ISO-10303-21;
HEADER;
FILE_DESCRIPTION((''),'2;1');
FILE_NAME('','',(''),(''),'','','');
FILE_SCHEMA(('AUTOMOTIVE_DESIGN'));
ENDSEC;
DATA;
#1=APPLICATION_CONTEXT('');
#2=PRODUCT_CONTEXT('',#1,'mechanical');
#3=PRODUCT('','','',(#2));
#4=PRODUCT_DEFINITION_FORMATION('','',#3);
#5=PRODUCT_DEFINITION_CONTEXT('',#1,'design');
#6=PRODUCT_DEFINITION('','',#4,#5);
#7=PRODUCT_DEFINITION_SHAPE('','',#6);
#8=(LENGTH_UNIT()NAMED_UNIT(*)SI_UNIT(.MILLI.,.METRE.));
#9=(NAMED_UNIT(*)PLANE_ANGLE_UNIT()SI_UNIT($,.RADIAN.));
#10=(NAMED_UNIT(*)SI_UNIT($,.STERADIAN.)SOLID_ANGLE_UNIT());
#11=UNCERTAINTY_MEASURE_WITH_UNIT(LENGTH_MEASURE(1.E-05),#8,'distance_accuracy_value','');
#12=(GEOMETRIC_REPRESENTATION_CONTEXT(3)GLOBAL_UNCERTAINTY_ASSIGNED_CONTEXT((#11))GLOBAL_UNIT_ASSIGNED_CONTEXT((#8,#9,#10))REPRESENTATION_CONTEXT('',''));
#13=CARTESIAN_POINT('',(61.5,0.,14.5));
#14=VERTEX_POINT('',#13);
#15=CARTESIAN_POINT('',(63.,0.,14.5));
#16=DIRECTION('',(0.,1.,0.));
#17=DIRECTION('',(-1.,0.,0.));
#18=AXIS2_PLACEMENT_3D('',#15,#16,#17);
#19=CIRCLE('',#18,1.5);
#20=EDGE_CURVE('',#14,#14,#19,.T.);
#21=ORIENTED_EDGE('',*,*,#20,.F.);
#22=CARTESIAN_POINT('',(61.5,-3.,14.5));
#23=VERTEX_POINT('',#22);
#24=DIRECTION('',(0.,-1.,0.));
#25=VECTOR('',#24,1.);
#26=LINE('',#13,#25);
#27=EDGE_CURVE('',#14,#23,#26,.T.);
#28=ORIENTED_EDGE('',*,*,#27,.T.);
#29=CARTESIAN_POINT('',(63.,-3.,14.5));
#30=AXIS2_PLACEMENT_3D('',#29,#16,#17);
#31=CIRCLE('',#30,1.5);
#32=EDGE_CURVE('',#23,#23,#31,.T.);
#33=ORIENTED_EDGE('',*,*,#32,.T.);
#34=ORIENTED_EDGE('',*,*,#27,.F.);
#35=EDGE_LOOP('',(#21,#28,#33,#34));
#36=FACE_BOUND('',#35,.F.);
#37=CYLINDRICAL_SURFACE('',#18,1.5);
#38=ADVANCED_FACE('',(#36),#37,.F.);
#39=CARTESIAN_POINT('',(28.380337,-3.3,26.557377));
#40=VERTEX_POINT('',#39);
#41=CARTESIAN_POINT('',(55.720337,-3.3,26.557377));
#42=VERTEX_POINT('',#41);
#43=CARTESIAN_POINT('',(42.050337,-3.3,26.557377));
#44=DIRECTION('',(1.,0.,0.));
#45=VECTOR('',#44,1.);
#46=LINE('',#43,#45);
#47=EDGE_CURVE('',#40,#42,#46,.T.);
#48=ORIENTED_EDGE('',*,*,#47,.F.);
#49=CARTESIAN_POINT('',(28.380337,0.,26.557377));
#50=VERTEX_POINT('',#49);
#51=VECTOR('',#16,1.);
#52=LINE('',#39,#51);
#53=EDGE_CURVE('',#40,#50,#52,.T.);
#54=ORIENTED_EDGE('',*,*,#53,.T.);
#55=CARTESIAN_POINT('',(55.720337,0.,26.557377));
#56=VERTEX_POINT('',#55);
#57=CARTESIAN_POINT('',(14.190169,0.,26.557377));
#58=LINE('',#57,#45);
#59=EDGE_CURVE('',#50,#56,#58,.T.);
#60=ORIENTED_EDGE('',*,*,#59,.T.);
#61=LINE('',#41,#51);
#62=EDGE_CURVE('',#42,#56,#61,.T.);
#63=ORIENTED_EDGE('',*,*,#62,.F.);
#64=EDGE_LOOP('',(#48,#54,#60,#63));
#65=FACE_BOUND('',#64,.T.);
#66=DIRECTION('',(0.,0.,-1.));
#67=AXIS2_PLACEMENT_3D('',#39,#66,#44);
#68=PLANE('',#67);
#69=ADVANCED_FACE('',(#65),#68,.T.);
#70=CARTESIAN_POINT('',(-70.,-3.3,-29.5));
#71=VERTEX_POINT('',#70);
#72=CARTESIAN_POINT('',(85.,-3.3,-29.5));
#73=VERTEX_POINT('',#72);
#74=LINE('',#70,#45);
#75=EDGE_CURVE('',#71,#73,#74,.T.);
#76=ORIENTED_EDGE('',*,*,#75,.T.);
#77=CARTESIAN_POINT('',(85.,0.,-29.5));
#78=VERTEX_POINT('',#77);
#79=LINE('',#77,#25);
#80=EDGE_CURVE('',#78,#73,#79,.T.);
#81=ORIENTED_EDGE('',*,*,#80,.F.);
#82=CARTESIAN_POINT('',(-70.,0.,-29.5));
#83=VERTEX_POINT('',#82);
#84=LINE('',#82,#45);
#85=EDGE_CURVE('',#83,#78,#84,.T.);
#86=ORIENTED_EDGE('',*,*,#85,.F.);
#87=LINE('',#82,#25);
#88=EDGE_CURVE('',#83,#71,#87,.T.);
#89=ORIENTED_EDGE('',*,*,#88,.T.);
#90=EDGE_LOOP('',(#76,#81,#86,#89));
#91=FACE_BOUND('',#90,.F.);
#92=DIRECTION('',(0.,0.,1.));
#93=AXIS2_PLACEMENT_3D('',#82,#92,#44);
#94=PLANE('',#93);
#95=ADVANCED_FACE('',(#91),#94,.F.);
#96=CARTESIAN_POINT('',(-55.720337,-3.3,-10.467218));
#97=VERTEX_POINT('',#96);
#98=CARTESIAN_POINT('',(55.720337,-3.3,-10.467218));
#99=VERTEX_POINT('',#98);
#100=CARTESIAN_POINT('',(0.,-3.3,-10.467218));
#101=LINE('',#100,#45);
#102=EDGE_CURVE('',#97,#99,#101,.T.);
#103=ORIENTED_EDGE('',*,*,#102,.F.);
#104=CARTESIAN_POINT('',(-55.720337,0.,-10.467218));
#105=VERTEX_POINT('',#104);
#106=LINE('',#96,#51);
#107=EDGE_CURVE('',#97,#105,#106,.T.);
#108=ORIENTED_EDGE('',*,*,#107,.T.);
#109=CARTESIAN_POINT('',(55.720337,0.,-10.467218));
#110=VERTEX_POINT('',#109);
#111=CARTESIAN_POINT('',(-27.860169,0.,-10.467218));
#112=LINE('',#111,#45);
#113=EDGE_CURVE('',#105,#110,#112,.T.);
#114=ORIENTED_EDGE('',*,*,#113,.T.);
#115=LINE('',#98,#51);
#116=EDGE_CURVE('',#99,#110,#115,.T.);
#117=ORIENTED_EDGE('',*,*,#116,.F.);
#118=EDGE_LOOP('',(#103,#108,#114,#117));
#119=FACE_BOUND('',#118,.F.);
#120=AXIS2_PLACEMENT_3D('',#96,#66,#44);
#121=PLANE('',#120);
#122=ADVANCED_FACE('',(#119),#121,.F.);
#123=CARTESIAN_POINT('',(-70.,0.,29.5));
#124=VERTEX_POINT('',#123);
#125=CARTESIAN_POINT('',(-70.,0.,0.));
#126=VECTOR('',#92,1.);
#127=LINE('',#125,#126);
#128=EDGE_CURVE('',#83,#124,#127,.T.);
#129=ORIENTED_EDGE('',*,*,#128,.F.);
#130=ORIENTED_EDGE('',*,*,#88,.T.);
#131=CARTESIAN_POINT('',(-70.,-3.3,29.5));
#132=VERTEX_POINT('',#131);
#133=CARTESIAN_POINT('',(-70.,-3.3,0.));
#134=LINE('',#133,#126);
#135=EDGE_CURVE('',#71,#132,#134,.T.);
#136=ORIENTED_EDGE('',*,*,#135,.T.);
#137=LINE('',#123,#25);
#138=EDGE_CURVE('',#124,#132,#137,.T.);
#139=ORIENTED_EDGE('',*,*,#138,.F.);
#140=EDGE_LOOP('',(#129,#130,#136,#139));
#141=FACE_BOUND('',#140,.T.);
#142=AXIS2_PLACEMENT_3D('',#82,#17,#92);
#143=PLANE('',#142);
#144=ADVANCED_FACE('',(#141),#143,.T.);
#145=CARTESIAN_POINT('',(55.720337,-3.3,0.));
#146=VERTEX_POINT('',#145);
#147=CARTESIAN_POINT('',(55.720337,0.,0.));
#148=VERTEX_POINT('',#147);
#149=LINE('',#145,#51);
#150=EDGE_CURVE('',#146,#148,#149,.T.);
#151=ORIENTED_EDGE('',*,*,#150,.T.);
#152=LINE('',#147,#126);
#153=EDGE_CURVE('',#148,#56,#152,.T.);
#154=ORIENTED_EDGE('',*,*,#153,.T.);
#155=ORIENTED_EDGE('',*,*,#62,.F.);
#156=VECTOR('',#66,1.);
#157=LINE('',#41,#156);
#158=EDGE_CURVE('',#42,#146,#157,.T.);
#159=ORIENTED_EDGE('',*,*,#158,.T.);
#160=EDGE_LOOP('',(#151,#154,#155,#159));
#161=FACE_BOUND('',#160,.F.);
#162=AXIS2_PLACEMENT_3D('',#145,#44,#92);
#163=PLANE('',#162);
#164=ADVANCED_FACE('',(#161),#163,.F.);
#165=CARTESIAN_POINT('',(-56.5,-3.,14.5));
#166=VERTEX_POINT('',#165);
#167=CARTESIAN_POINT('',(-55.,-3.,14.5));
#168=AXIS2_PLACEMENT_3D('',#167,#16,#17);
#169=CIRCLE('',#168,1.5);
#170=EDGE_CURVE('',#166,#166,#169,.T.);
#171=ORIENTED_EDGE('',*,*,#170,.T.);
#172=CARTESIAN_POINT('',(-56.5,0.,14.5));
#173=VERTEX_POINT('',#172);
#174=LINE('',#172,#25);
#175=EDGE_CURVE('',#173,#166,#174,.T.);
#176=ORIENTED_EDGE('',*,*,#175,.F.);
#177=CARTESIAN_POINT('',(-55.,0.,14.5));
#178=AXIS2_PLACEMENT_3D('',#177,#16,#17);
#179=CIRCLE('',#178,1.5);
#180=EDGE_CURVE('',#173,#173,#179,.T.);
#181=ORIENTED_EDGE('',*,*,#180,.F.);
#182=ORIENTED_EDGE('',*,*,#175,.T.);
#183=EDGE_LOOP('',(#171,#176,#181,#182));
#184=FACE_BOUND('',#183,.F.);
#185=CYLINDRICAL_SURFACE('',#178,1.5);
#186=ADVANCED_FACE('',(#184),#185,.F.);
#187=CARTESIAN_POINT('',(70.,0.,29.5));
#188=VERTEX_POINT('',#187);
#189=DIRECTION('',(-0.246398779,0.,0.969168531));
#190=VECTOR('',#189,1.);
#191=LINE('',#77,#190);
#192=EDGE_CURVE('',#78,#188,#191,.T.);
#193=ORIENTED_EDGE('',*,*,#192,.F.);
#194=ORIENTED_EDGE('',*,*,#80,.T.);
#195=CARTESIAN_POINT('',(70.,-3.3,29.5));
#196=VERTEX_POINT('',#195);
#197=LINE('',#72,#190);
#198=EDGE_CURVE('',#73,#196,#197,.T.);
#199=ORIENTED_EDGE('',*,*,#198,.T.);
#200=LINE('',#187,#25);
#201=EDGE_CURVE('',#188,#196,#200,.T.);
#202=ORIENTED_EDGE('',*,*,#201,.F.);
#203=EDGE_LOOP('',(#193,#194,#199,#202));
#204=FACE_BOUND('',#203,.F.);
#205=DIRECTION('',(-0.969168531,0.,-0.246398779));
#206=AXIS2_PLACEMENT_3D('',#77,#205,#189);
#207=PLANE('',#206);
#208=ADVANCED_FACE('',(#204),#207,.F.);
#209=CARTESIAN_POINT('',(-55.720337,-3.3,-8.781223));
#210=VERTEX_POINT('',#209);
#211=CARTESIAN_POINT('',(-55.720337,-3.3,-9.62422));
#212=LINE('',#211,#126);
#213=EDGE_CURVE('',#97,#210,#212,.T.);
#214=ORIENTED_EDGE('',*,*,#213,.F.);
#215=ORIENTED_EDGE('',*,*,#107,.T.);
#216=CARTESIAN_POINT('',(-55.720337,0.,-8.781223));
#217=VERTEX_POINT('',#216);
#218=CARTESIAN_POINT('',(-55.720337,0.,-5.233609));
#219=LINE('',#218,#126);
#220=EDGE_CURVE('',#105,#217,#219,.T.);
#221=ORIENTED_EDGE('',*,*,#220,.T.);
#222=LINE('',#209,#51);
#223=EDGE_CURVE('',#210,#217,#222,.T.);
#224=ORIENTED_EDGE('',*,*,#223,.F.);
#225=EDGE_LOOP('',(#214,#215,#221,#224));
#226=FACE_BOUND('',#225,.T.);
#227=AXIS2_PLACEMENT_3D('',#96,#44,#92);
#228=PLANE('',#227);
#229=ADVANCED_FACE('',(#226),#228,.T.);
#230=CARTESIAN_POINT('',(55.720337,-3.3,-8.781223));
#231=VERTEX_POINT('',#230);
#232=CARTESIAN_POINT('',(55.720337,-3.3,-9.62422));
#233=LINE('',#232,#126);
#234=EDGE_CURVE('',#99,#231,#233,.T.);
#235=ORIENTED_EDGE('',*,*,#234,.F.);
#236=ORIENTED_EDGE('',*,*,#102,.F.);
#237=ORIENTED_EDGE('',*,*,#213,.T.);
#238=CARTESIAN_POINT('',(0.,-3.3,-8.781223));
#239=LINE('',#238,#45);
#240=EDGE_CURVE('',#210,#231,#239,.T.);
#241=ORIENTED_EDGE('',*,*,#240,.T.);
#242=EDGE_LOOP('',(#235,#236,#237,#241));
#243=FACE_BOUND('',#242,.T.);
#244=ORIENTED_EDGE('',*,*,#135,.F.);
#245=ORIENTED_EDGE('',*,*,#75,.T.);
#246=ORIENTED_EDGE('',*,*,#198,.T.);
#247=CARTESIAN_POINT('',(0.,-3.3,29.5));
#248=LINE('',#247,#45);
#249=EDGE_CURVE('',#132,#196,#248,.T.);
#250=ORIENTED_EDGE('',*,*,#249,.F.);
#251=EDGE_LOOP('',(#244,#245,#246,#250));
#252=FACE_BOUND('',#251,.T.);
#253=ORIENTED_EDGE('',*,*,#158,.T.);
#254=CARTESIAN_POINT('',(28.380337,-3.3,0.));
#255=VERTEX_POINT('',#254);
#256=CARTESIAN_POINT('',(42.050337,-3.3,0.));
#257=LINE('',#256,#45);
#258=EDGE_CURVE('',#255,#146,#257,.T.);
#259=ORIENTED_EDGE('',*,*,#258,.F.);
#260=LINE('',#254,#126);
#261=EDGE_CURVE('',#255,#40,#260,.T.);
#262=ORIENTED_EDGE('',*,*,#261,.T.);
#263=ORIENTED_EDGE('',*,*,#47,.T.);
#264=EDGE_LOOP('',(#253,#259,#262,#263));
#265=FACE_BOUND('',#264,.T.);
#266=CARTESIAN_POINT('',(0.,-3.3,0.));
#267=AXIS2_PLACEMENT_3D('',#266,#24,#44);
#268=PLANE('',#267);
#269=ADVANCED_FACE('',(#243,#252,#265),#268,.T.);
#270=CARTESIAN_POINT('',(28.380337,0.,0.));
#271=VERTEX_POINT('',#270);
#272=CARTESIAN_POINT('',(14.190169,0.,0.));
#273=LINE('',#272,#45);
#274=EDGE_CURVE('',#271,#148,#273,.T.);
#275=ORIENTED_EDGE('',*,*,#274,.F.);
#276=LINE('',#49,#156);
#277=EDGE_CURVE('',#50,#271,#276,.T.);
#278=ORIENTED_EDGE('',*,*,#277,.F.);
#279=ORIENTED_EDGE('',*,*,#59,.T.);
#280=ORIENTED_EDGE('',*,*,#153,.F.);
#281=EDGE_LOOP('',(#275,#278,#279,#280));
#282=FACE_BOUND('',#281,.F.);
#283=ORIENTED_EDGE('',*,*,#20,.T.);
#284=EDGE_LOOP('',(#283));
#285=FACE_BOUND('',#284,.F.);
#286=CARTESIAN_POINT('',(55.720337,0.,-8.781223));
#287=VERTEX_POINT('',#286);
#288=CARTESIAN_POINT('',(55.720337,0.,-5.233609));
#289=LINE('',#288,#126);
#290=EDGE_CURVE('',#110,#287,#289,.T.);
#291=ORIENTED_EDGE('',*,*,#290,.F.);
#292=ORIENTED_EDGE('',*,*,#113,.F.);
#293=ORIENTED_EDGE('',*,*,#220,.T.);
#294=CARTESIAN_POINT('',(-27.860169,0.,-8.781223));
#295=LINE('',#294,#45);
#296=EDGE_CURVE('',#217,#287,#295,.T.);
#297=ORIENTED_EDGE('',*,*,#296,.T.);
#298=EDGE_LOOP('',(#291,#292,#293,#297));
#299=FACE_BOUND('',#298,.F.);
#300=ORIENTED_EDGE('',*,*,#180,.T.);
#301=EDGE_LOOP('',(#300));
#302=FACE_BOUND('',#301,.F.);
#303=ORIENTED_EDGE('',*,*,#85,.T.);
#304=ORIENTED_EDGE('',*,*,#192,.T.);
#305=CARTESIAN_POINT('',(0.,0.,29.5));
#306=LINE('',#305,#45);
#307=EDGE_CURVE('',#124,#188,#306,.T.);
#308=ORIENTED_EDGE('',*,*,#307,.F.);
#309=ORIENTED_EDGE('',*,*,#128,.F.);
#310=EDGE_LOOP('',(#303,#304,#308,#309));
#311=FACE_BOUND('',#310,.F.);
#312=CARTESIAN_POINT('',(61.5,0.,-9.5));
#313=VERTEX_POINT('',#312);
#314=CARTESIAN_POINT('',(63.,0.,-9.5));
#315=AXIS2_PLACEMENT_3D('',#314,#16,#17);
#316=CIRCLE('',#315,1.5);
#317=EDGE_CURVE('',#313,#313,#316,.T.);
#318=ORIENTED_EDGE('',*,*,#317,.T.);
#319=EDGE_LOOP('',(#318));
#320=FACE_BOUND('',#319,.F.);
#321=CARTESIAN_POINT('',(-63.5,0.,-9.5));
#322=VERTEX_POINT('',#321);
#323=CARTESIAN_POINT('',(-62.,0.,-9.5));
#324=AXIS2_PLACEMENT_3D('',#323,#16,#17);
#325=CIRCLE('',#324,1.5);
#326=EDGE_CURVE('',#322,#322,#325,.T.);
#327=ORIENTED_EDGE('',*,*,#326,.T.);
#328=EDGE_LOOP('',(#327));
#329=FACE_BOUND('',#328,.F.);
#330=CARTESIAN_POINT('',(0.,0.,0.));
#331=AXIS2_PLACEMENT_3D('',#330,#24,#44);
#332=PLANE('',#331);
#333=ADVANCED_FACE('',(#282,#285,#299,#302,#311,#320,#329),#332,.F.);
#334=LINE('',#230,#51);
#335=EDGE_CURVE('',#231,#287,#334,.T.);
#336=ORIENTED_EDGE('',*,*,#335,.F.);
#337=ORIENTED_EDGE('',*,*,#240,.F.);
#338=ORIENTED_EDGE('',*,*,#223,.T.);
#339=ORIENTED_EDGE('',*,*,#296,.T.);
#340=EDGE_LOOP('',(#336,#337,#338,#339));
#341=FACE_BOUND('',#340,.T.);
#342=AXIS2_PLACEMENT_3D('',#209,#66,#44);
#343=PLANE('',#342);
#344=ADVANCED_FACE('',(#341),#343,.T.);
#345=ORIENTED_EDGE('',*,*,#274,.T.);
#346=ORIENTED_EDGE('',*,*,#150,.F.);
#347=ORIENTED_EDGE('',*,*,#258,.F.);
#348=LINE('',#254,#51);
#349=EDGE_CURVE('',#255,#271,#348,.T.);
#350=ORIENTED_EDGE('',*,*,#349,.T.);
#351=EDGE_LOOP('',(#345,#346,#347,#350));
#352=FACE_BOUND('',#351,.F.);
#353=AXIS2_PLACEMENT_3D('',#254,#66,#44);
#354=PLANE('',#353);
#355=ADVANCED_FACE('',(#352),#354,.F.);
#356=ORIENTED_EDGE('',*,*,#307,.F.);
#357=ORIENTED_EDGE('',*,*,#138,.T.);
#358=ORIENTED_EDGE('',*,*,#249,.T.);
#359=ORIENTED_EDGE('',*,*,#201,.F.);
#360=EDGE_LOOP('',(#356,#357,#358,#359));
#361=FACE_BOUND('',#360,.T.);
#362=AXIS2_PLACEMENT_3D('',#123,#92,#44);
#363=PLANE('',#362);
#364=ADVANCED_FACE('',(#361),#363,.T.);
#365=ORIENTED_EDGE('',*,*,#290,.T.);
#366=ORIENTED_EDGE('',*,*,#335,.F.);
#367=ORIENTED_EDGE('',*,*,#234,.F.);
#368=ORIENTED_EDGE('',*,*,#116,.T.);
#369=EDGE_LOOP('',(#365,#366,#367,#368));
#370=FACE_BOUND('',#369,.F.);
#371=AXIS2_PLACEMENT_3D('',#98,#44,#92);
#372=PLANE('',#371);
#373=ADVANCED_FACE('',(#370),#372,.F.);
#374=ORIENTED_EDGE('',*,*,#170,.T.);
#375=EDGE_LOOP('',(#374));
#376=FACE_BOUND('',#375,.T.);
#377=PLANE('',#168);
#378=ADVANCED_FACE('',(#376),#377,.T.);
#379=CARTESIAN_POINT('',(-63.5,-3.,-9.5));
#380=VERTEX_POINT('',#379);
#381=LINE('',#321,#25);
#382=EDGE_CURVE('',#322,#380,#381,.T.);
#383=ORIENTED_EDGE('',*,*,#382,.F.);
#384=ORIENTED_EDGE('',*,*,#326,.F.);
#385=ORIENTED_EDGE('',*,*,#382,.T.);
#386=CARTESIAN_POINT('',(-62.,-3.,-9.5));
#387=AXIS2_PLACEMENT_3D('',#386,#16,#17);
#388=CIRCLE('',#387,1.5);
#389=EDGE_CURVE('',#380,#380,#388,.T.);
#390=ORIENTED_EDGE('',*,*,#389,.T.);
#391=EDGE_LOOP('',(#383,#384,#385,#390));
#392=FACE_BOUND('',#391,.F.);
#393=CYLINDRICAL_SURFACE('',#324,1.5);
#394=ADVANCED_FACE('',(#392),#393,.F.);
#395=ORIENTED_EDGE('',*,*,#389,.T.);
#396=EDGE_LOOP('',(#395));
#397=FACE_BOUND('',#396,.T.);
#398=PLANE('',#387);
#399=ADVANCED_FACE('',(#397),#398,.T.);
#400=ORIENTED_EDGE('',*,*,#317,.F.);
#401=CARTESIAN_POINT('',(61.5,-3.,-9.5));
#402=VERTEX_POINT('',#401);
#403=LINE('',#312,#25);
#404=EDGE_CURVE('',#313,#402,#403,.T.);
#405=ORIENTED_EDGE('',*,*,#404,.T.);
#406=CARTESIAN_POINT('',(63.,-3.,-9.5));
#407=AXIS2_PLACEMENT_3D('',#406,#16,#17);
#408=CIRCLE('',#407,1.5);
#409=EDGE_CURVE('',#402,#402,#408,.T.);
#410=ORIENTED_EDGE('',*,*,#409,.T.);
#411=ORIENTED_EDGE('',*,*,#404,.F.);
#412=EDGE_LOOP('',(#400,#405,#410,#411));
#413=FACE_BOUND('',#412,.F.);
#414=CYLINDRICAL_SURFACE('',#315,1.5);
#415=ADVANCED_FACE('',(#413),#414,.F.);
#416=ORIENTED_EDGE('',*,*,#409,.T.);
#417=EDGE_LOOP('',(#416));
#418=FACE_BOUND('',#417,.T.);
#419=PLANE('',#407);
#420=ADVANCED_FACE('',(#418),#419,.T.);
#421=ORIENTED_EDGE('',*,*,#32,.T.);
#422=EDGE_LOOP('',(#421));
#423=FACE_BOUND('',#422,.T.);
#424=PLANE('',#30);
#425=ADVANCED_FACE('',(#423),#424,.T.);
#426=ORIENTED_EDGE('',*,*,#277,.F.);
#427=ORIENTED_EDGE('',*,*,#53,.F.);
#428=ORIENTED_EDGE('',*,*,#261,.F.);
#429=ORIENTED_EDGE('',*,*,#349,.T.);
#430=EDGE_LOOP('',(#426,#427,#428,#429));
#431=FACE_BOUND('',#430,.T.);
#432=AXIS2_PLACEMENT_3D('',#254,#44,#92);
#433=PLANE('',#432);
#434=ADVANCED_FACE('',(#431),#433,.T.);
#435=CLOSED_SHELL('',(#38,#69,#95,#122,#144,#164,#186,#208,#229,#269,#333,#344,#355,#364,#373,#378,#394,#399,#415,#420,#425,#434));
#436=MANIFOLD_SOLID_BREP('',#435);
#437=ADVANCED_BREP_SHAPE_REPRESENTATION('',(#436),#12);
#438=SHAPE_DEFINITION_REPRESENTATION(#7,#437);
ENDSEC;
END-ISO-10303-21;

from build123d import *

# Parameters (mm, degrees)
F0_W     = 140
F0_H     = 59
F1_DEPTH = 3.3
F2_W     = 111.440674
F2_H     = 1.685995
F3_DEPTH = 25
F4_W     = 27.34
F4_H     = 19
F5_DEPTH = 25
F6_W     = 27.34
F6_H     = 26.557377
F7_DEPTH = 25
F8_R     = 1.5
F9_DEPTH = 3


with BuildPart() as f1:
    # F0 (on Front) → F1 (new body)
    with BuildSketch(Plane.XZ):
        Rectangle(F0_W, F0_H)
        Polygon((85, -29.5), (70, 29.5), (70, -29.5), align=None)
    extrude(amount=F1_DEPTH)

    # F2 (on face) → F3 (cut)
    with BuildSketch(Plane.XZ.offset(3.3)):
        with Locations((0, -9.62422)):
            Rectangle(F2_W, F2_H)
    extrude(amount=-F3_DEPTH, mode=Mode.SUBTRACT)

    # F4 (on face) → F5 (cut)
    with BuildSketch(Plane.XZ.offset(3.3)):
        with Locations((42.050337, 12.718777)):
            Rectangle(F4_W, F4_H)
    extrude(amount=-F5_DEPTH, mode=Mode.SUBTRACT)

    # F6 (on face) → F7 (cut)
    with BuildSketch(Plane.XZ.offset(3.3)):
        with Locations((42.050337, 13.278688)):
            Rectangle(F6_W, F6_H)
    extrude(amount=-F7_DEPTH, mode=Mode.SUBTRACT)

    # F8 (on face) → F9 (cut)
    with BuildSketch(Plane(origin=(0, 0, 0), x_dir=(-1, 0, 0), z_dir=(0, 1, 0))):
        with Locations((55, 14.5)):
            Circle(F8_R)
        with Locations((62, -9.5)):
            Circle(F8_R)
        with Locations((-63, -9.5)):
            Circle(F8_R)
        with Locations((-63, 14.5)):
            Circle(F8_R)
    extrude(amount=-F9_DEPTH, mode=Mode.SUBTRACT)


solid = f1.part
